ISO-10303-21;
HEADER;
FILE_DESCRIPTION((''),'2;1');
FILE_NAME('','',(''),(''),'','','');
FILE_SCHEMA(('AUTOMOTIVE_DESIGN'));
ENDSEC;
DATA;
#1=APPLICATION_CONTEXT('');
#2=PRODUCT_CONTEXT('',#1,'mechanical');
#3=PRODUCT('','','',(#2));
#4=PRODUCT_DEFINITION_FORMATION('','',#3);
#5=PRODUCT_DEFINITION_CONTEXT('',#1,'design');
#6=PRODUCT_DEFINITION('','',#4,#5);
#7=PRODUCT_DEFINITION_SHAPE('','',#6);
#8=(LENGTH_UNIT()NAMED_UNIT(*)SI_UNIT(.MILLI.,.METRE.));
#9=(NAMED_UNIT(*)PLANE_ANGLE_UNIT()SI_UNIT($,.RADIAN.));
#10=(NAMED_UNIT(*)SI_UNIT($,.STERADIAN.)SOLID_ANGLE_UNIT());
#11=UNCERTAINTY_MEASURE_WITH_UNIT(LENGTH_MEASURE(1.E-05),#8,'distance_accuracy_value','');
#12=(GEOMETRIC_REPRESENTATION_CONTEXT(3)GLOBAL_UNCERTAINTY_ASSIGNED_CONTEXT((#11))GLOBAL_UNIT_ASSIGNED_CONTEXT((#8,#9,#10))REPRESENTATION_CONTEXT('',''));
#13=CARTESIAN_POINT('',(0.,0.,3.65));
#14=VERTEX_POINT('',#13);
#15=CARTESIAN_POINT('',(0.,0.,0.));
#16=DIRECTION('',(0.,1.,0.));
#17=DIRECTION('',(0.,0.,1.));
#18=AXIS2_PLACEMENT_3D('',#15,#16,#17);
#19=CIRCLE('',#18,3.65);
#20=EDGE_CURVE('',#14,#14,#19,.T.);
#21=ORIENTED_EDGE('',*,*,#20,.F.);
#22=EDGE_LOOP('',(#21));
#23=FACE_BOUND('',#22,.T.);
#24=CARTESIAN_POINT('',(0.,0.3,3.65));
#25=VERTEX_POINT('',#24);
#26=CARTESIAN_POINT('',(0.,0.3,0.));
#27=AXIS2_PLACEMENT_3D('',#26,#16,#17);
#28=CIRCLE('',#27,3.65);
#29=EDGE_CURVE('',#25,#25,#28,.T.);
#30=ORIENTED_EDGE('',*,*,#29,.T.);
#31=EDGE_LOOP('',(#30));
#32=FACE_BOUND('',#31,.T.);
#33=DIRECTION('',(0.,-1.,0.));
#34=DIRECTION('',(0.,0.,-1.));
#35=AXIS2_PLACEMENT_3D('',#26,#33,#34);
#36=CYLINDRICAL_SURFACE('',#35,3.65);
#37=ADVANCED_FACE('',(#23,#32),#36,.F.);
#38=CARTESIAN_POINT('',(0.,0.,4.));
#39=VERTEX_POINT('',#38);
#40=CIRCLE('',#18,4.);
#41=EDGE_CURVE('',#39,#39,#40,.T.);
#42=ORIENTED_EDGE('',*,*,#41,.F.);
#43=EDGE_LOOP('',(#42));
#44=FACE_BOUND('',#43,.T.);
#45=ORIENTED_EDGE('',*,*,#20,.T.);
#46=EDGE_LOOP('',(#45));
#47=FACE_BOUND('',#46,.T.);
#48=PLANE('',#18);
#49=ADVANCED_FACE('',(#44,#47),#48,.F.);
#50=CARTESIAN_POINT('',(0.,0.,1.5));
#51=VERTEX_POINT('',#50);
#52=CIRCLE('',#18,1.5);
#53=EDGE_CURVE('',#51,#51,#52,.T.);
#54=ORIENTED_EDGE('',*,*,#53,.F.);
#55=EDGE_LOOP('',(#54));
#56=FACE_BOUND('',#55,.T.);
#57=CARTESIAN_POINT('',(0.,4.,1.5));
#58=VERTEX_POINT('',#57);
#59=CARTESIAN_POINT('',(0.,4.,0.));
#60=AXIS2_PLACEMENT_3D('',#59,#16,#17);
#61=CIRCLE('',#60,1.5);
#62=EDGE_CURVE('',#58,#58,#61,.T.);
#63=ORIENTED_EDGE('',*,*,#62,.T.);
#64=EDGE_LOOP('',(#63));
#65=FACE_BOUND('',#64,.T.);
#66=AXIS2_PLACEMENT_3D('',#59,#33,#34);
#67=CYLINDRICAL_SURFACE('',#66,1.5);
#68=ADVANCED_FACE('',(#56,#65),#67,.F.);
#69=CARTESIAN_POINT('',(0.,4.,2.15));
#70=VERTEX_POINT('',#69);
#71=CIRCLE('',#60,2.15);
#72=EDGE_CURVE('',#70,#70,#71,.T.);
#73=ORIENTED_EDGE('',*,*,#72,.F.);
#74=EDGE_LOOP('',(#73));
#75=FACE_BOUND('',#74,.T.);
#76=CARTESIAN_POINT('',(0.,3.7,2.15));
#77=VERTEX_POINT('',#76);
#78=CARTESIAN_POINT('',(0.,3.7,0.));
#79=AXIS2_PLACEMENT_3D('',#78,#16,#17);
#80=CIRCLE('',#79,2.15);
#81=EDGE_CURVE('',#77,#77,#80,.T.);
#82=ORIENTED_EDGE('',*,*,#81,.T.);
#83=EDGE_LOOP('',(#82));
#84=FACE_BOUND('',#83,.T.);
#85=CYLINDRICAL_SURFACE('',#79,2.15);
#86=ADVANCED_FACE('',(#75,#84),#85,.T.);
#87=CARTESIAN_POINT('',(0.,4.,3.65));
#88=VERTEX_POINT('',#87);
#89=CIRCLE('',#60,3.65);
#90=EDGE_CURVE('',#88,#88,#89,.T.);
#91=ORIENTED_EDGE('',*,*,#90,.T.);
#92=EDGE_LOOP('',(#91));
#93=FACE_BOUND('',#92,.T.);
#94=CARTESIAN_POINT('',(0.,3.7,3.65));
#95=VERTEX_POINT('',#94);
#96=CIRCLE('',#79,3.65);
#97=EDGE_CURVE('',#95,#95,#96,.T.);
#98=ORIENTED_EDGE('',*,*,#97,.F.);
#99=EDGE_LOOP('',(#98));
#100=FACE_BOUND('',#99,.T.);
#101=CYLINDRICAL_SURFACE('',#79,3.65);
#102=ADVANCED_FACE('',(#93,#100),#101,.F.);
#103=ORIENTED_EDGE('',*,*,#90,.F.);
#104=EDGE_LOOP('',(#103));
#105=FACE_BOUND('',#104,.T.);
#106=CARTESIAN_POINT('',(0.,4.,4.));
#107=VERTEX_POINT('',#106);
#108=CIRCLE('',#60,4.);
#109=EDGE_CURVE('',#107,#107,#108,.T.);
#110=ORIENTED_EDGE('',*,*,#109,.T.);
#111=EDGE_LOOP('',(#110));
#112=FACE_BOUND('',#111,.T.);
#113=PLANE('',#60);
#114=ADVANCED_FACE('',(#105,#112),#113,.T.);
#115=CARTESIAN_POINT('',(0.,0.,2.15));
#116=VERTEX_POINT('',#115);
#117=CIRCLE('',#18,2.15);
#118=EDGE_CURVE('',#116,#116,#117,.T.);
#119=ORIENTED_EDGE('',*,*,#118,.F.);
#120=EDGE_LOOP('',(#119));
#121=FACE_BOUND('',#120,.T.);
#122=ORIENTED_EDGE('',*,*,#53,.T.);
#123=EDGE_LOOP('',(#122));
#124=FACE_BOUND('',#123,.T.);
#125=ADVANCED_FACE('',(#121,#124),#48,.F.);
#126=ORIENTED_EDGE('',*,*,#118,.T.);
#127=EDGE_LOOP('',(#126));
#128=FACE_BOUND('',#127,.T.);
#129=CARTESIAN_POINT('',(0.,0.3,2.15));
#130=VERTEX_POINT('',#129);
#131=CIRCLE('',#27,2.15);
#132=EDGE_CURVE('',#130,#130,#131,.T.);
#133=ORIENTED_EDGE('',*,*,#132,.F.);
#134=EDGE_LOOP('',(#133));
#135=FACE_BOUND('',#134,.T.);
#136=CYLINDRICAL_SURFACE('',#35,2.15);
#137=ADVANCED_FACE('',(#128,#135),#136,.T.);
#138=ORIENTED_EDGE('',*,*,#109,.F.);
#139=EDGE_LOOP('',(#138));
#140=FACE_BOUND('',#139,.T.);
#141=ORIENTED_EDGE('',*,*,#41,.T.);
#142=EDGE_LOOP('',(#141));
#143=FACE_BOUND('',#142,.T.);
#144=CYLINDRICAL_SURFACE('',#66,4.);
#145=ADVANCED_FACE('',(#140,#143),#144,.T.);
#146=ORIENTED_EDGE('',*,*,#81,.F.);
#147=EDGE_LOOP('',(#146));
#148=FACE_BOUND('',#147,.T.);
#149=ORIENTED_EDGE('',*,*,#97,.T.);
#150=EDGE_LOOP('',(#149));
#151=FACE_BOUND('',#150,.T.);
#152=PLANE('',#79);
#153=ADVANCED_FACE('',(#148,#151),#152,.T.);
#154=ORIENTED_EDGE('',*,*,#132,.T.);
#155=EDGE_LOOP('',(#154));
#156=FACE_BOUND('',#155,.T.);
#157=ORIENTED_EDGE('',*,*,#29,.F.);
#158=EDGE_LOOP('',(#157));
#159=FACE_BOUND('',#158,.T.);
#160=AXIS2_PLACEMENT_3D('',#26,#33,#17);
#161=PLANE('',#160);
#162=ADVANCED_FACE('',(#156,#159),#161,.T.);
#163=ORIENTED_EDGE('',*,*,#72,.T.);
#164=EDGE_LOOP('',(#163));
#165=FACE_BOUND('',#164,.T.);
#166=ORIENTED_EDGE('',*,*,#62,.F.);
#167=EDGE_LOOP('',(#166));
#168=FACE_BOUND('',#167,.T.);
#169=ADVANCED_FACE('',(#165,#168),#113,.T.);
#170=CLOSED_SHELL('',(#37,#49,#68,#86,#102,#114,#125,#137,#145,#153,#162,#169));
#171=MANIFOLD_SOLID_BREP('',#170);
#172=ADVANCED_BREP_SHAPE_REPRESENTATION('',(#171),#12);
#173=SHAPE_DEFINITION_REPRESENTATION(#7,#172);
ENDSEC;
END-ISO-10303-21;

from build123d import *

# Parameters (mm, degrees)
SKETCH1_R              = 4
SKETCH1_R_2            = 1.5
BASE_SIZE_DEPTH        = 4
SKETCH2_R              = 3.65
SKETCH2_R_2            = 2.15
BEARING_FEATURES_DEPTH = 0.3


with BuildPart() as part:
    # Sketch1 → Base size (new body)
    with BuildSketch(Plane(origin=(0, 0, 0), x_dir=(1, 0, 0), z_dir=(0, 1, 0))):
        with Locations(Location((0, 0, 0), (0, 0, 270))):
            Circle(SKETCH1_R)
        with Locations(Location((0, 0, 0), (0, 0, 270))):
            Circle(SKETCH1_R_2, mode=Mode.SUBTRACT)
    extrude(amount=BASE_SIZE_DEPTH)

    # Sketch2 → Bearing features (cut)
    with BuildSketch(Plane(origin=(0, 4, 0), x_dir=(1, 0, 0), z_dir=(0, 1, 0))):
        with Locations(Location((0, 0, 0), (0, 0, 270))):
            Circle(SKETCH2_R)
        with Locations(Location((0, 0, 0), (0, 0, 270))):
            Circle(SKETCH2_R_2, mode=Mode.SUBTRACT)
    bearing_features = extrude(amount=-BEARING_FEATURES_DEPTH, mode=Mode.SUBTRACT)

    # Mirror1: Bearing features across plane
    add(bearing_features.mirror(Plane.ZX.offset(2)), mode=Mode.SUBTRACT)


solid = part.part
